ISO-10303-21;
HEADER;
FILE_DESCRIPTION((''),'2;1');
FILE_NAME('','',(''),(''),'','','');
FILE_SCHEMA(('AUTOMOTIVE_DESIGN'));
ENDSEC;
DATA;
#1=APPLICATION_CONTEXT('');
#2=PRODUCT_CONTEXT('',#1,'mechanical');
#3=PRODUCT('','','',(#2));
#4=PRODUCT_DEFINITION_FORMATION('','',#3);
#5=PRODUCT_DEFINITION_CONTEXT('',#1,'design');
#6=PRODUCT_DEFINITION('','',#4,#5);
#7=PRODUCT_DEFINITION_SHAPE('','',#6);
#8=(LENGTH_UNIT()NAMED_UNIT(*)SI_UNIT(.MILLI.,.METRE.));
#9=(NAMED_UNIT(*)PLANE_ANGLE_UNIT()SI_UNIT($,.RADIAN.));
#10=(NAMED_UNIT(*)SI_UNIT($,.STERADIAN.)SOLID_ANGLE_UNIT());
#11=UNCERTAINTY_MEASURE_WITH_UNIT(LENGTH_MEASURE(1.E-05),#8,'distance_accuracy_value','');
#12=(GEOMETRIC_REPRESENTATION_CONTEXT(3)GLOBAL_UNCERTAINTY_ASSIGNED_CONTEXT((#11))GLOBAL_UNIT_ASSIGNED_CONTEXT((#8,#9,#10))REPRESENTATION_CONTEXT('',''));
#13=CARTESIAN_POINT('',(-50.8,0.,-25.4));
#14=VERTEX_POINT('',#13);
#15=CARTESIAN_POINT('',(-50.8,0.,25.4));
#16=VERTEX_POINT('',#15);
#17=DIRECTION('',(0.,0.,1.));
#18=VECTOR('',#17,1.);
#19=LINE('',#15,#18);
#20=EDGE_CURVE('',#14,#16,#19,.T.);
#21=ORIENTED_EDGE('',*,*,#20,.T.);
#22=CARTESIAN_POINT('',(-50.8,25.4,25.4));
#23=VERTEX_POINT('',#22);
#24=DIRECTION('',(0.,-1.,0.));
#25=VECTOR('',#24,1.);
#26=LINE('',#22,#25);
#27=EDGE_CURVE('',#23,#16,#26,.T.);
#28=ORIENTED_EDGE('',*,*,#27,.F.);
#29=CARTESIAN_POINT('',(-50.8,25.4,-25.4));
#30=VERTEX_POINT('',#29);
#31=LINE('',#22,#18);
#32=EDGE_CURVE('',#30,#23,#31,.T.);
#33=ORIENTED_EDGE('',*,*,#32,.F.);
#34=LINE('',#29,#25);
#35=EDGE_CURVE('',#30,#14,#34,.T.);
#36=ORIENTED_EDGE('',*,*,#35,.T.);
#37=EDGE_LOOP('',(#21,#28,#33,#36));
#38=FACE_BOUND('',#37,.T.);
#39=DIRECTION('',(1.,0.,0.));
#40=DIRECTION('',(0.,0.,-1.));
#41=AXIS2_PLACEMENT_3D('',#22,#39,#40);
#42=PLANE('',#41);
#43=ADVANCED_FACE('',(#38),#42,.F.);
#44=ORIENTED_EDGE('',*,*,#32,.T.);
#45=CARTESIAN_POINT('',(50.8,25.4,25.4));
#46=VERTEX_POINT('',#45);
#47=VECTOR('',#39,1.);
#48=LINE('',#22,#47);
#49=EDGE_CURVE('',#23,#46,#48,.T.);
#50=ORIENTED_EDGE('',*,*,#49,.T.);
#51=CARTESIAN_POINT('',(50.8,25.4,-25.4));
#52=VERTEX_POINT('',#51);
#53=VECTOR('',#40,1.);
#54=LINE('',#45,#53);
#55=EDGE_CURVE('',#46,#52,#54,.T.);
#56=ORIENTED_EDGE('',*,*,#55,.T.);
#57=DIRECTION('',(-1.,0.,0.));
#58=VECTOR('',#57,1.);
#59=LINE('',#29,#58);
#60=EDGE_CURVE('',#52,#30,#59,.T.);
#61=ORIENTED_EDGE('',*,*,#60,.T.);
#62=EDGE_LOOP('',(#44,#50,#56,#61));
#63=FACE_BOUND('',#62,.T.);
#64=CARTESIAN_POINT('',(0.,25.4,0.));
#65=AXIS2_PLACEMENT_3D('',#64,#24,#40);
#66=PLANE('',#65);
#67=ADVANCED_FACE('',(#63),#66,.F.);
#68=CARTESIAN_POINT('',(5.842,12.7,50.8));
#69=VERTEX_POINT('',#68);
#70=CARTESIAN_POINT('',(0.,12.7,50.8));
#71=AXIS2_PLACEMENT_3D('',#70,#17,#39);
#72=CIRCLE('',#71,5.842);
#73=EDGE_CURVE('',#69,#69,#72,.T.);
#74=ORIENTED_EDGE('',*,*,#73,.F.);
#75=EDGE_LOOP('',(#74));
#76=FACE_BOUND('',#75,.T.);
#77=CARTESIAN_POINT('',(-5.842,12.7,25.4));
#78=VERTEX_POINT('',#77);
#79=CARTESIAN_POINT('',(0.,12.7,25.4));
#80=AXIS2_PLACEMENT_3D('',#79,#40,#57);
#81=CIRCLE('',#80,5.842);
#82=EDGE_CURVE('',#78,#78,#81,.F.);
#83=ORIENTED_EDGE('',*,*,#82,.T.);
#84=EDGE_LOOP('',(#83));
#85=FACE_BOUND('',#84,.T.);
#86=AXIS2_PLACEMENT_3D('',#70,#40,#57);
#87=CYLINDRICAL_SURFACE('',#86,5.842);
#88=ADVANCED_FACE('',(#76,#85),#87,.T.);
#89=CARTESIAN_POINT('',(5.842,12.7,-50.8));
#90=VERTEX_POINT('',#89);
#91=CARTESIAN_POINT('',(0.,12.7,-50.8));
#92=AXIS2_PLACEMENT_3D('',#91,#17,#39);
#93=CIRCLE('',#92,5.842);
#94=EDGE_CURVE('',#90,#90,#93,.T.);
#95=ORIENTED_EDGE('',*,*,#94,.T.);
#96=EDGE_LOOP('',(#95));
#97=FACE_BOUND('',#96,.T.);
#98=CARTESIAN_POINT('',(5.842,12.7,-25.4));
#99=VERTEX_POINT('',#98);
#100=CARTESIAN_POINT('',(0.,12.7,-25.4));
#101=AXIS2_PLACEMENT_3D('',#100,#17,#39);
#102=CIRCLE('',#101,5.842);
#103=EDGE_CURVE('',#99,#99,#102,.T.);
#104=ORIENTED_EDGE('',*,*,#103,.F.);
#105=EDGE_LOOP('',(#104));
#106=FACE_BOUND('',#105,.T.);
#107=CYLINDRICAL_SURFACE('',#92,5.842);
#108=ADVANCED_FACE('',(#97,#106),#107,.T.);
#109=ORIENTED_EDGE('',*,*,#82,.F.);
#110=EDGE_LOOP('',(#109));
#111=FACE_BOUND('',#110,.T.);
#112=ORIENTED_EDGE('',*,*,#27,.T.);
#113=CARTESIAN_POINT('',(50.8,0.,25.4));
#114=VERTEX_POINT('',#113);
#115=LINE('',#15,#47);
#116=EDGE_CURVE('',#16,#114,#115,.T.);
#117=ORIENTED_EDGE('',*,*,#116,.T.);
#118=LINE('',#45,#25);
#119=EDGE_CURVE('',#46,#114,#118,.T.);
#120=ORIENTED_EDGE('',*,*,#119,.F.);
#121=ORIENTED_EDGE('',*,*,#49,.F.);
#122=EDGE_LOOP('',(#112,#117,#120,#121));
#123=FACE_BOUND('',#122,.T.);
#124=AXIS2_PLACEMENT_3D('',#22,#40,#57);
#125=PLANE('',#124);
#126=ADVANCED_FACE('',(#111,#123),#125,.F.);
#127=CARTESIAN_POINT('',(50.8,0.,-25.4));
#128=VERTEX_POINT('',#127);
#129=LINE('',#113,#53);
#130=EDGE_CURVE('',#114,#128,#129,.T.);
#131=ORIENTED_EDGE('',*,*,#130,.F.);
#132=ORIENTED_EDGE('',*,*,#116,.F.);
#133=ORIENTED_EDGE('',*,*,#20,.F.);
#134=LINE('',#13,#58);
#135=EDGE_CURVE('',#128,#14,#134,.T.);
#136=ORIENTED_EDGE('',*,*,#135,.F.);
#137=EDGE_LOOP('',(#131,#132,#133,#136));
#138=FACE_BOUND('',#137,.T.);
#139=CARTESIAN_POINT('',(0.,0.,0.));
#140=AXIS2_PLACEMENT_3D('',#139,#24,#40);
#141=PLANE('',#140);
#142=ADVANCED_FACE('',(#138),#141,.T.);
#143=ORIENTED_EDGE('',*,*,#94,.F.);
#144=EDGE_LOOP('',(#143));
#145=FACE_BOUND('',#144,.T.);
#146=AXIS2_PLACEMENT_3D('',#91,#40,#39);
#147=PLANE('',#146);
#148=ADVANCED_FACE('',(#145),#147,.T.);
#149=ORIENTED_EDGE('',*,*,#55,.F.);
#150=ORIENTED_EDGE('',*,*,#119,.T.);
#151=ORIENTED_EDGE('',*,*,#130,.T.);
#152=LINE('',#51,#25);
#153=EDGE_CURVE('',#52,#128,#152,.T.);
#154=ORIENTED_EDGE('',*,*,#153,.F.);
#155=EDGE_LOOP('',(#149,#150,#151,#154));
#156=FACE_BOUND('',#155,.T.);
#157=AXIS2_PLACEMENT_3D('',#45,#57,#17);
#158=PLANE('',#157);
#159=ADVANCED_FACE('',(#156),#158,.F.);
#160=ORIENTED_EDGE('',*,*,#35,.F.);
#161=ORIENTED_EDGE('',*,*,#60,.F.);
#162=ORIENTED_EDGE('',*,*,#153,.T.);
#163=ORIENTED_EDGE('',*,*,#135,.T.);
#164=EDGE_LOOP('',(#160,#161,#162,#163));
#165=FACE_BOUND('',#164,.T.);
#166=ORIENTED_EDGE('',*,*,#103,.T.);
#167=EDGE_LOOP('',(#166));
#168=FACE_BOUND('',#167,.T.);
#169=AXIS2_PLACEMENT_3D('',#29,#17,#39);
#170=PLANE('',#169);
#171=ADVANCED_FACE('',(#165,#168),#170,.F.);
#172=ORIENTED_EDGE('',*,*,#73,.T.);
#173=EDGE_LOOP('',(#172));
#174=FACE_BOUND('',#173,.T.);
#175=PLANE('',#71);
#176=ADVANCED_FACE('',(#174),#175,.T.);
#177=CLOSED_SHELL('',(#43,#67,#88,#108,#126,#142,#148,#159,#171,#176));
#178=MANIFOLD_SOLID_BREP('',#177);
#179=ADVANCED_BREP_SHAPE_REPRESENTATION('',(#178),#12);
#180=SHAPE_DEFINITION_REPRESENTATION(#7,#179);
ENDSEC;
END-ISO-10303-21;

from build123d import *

# Parameters (mm, degrees)
SKETCH1_W           = 101.6
SKETCH1_H           = 50.8
BOSS_EXTRUDE1_DEPTH = 25.4
SKETCH2_R           = 5.842
BOSS_EXTRUDE2_DEPTH = 25.4


with BuildPart() as part:
    # Sketch1 → Boss-Extrude1 (new body)
    with BuildSketch(Plane(origin=(0, 0, 0), x_dir=(1, 0, 0), z_dir=(0, 1, 0))):
        Rectangle(SKETCH1_W, SKETCH1_H)
    extrude(amount=BOSS_EXTRUDE1_DEPTH)

    # Sketch2 → Boss-Extrude2 (add)
    with BuildSketch(Plane.XY.offset(25.4)):
        with Locations(Location((0, 12.7, 0), (0, 0, 180))):
            Circle(SKETCH2_R)
    boss_extrude2 = extrude(amount=BOSS_EXTRUDE2_DEPTH)

    # Mirror1: Boss-Extrude2 across plane
    add(boss_extrude2.mirror(Plane.XY))


solid = part.part
